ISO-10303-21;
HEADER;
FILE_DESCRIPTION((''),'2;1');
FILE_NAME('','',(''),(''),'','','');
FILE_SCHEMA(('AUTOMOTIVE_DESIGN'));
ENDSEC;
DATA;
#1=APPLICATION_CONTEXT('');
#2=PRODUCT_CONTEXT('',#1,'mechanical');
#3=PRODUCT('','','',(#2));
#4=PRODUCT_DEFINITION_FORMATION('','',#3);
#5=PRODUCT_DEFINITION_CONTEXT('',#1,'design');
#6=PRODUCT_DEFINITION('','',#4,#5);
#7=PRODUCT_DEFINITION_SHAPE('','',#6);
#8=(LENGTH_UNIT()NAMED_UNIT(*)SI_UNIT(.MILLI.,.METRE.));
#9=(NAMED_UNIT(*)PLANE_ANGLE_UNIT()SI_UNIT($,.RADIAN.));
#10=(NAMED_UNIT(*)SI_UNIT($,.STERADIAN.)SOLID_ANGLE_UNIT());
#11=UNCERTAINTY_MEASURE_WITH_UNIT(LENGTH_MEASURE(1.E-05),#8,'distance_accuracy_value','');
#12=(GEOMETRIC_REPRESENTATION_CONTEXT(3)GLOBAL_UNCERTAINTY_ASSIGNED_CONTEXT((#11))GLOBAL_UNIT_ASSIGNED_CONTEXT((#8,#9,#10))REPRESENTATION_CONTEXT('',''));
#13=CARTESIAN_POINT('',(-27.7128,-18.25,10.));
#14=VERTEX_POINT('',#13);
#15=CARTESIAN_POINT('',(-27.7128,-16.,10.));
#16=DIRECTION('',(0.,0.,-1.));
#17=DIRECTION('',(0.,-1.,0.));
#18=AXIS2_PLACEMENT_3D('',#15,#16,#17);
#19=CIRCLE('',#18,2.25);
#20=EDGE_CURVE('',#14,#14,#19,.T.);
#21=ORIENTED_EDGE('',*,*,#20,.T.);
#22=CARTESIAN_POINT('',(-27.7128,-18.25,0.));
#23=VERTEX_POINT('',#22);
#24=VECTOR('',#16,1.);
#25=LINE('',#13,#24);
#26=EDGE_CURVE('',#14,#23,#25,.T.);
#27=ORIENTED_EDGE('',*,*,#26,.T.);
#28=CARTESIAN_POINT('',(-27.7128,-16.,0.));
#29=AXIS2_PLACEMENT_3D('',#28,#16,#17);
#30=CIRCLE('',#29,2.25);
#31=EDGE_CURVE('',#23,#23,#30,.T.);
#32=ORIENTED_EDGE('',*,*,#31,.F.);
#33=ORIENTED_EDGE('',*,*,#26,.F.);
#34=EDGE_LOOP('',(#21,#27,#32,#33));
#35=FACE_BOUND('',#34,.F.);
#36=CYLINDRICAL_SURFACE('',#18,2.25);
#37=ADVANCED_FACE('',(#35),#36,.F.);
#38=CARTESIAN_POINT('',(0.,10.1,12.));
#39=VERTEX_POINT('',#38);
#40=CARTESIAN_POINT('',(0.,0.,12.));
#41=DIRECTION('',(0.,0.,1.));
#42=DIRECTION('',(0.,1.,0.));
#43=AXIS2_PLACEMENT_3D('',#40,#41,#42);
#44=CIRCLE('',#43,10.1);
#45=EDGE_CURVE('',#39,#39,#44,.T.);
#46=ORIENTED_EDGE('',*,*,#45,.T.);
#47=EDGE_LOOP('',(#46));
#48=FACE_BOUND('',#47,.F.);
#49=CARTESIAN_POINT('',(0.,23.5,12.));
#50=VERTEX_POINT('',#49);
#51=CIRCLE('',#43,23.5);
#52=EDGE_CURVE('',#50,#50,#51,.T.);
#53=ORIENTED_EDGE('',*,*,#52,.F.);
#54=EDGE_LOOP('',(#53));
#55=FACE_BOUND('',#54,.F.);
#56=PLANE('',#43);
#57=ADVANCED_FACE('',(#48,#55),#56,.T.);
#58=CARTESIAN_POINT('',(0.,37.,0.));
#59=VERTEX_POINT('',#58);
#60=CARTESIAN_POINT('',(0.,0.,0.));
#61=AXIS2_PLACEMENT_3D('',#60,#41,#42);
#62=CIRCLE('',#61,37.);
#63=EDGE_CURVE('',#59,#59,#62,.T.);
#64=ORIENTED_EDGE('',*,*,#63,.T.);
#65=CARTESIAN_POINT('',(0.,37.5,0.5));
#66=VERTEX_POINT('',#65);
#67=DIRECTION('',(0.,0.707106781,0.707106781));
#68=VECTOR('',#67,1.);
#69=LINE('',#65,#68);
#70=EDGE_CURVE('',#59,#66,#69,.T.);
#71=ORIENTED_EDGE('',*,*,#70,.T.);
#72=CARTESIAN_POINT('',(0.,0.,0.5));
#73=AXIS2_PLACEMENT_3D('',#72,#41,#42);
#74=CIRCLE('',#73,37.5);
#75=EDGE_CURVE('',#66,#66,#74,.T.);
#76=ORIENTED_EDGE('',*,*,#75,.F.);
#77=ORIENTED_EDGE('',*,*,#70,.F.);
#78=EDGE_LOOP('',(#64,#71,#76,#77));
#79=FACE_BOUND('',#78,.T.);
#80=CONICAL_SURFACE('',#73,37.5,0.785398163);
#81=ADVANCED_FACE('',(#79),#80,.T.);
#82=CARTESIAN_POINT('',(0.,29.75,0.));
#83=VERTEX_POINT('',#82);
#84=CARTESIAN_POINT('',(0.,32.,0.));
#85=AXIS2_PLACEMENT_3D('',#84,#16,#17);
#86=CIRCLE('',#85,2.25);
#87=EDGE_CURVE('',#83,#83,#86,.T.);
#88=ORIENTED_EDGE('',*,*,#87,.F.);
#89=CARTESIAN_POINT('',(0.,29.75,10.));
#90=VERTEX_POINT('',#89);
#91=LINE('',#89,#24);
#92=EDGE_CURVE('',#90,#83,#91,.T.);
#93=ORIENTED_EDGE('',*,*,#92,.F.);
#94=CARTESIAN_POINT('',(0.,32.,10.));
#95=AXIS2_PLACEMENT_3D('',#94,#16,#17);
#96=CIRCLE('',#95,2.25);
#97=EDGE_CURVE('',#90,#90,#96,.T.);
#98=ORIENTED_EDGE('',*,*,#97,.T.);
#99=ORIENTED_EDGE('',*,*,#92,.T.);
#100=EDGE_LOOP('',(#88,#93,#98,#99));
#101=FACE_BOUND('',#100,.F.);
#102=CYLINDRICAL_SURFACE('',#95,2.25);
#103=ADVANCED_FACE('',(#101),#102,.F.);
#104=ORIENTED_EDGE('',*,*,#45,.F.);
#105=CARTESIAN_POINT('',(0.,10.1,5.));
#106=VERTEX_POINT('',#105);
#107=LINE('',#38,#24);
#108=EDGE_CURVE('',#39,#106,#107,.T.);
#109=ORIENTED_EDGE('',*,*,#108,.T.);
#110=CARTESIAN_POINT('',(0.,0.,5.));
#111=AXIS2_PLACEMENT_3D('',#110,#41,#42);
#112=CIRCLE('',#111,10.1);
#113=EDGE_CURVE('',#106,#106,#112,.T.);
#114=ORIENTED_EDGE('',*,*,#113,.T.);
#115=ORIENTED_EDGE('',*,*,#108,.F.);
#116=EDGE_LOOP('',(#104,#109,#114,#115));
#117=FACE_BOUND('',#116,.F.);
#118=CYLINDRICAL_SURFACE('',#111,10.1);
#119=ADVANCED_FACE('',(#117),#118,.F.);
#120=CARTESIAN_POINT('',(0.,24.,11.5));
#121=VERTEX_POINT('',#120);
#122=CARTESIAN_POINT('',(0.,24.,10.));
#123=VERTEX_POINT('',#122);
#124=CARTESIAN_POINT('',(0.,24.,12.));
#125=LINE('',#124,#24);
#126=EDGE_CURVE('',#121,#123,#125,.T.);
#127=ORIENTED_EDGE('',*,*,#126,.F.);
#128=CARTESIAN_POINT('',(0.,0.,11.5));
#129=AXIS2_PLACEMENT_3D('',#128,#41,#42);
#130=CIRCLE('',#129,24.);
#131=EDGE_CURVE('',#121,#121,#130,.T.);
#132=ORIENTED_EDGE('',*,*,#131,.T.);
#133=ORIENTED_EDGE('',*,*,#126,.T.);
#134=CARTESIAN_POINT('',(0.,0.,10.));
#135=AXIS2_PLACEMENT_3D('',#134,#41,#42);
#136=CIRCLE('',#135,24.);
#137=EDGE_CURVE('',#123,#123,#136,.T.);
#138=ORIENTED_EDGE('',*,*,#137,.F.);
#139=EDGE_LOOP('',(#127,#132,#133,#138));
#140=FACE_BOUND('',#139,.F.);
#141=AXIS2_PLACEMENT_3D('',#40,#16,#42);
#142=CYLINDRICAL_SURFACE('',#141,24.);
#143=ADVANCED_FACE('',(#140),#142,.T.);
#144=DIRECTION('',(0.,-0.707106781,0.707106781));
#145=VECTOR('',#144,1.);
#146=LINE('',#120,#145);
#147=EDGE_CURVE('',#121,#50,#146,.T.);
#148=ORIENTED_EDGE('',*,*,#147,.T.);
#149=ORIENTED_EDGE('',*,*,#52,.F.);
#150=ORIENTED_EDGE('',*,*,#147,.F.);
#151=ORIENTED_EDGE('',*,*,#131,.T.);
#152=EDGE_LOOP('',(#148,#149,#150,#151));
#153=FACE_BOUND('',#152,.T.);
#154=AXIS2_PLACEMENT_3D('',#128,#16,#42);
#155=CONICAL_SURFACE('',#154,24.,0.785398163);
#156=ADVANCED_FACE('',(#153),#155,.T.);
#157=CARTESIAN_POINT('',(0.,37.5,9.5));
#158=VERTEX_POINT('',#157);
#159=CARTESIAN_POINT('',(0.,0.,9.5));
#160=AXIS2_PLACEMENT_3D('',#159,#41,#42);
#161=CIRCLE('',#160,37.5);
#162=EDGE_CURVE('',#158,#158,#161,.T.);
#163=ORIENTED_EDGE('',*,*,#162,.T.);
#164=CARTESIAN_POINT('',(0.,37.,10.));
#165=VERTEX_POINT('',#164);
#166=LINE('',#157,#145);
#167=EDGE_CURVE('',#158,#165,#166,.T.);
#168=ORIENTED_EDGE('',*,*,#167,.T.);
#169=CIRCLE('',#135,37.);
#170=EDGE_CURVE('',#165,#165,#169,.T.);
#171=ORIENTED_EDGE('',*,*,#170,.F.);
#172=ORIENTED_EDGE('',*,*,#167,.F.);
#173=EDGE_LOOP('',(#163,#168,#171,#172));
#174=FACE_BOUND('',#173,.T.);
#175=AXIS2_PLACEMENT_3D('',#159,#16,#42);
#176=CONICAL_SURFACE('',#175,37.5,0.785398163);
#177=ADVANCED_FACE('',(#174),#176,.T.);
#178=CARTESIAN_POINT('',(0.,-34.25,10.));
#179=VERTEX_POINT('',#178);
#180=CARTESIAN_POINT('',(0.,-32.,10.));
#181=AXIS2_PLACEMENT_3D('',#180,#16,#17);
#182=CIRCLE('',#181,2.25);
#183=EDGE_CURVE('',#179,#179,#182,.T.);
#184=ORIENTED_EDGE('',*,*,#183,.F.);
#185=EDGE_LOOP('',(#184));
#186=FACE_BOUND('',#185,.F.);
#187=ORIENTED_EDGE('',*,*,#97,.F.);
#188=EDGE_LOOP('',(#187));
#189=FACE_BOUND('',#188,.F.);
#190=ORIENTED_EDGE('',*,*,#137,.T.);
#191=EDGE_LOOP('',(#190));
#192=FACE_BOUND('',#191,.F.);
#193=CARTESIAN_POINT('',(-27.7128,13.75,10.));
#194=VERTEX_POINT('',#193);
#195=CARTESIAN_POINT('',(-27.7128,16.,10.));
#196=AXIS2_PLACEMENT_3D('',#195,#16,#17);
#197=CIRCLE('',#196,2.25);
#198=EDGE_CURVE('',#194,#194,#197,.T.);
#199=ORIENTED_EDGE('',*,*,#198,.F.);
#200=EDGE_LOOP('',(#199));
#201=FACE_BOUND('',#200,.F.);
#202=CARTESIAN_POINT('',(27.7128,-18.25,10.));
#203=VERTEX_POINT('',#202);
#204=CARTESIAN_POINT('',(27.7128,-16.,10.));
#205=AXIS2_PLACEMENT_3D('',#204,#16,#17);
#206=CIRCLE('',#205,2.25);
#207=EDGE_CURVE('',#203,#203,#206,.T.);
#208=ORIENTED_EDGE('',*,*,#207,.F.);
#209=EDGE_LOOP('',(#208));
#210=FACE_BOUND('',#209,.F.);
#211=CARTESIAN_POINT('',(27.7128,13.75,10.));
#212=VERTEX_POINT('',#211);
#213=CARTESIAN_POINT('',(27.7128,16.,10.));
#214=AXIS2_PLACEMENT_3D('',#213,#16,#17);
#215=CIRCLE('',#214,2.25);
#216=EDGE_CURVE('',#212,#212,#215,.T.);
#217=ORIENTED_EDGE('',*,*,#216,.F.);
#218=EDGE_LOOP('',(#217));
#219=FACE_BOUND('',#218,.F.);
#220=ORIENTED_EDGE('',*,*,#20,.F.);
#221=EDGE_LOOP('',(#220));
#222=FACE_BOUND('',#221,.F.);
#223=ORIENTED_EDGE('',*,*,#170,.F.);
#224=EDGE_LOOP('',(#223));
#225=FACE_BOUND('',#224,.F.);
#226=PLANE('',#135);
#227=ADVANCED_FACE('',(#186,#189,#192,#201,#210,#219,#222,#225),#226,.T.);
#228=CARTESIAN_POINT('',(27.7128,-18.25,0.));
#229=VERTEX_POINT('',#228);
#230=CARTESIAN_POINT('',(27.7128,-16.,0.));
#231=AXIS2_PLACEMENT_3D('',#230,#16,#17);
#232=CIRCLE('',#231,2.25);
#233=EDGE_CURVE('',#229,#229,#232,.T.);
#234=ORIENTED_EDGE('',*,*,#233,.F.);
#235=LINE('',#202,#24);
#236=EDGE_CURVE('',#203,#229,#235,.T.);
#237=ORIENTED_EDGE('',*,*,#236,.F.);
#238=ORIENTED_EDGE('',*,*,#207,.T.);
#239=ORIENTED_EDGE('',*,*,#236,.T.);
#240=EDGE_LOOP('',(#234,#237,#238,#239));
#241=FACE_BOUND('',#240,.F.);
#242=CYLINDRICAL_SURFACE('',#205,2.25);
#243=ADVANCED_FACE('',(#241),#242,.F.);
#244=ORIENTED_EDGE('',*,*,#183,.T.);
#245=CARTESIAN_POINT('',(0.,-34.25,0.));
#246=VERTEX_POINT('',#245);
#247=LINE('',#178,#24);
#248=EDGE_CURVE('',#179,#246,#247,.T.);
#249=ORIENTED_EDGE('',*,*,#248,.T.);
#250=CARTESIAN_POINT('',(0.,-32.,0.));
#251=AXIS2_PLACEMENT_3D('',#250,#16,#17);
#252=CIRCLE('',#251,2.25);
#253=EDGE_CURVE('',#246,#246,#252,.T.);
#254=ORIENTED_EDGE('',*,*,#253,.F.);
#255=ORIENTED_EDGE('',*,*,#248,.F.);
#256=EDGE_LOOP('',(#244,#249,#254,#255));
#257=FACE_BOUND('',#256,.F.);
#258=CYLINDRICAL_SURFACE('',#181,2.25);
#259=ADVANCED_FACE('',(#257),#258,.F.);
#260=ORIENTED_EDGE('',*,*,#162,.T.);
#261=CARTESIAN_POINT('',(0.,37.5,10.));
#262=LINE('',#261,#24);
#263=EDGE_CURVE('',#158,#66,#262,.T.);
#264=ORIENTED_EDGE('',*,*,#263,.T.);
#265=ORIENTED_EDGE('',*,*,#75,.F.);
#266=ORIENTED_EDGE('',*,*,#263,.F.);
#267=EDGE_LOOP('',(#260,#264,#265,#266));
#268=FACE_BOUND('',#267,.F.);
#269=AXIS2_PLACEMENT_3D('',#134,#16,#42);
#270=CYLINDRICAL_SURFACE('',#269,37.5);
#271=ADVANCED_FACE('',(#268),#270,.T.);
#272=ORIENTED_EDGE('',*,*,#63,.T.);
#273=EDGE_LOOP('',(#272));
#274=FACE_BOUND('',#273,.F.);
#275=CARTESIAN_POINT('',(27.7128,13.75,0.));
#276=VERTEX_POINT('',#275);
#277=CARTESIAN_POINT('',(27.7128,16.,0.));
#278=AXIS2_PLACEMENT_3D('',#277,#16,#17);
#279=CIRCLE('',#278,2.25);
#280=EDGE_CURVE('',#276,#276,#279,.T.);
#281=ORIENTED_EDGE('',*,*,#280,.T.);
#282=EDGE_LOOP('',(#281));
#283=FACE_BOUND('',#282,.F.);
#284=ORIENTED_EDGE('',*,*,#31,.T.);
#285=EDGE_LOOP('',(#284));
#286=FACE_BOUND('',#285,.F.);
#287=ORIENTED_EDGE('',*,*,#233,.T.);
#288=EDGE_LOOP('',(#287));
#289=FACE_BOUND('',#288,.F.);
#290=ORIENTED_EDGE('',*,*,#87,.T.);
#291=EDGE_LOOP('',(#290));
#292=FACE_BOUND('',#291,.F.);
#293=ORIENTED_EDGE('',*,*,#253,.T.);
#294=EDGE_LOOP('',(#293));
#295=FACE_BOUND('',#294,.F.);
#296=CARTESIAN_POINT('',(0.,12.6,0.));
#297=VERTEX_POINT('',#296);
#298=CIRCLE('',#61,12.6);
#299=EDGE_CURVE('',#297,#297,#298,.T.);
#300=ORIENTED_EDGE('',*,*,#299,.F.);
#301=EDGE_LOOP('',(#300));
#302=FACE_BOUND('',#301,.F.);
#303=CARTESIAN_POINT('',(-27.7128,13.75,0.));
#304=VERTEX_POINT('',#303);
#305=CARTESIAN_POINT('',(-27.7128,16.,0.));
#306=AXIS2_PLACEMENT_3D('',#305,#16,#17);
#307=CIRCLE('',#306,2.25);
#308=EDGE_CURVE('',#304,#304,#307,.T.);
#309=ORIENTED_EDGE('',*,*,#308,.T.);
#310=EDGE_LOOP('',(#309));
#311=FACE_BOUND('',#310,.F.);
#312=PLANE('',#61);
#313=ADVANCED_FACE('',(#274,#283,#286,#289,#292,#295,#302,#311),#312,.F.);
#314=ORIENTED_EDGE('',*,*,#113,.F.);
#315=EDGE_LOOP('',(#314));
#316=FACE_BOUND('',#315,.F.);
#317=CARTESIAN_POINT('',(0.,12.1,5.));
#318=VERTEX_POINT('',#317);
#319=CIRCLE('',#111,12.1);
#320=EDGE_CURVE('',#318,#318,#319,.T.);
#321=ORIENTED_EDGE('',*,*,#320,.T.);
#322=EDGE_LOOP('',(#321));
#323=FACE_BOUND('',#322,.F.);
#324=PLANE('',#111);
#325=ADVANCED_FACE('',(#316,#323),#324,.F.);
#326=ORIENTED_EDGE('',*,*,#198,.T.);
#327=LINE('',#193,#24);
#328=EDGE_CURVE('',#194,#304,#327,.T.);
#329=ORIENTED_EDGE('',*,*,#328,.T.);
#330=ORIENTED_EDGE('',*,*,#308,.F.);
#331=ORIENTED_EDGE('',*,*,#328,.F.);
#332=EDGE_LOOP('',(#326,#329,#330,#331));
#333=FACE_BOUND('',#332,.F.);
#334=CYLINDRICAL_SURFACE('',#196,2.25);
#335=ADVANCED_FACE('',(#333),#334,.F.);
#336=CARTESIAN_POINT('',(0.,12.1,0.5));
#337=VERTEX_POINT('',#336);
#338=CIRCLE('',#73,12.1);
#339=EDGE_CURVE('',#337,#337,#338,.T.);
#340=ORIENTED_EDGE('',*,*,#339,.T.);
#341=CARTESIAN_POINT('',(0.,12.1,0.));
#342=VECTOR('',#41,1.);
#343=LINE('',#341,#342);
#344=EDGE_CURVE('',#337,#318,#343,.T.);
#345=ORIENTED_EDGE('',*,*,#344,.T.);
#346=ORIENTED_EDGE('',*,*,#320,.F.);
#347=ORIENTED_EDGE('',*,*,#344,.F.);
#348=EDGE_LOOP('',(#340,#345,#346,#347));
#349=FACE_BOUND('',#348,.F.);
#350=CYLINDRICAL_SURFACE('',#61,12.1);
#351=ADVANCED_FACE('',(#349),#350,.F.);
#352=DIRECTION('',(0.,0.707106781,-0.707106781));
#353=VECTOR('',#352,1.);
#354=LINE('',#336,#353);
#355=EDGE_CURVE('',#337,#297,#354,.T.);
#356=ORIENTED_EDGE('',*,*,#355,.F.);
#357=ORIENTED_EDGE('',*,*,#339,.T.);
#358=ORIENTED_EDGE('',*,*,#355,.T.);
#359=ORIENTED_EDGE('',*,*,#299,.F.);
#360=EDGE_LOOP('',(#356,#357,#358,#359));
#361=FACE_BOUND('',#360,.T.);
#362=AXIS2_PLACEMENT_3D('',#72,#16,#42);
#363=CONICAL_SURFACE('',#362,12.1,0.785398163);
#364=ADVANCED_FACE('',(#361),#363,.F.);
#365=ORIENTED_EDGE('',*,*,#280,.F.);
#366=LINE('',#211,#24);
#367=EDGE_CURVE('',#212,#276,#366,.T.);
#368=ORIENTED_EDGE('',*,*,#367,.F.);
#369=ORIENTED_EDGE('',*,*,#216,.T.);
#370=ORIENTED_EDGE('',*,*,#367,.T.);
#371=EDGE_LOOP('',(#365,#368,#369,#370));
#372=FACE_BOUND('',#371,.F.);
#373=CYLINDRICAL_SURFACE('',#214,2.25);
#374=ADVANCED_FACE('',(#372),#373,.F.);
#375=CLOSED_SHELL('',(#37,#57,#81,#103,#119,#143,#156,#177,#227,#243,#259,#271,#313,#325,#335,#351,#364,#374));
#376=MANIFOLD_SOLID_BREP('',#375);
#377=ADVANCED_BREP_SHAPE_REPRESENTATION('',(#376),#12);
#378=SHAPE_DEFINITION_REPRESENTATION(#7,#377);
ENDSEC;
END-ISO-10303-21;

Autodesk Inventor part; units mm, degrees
ref_plane "YZ Plane" through (0, 0, 0) normal (1, 0, 0) x (0, 1, 0)
ref_plane "XZ Plane" through (0, 0, 0) normal (0, 1, 0) x (-1, 0, 0)
ref_plane "XY Plane" through (0, 0, 0) normal (0, 0, 1) x (1, 0, 0)
sketch "スケッチ1" plane through (0, 0, 0) normal (1, 0, 0) x (0, 1, 0)
  line L0 (12.1, 0) -> (12.1, 5)
  line L1 (12.1, 5) -> (10.1, 5)
  line L2 (10.1, 5) -> (10.1, 10)
  line L3 (37.5, 10) -> (37.5, 0)
  line L4 (37.5, 0) -> (12.1, 0)
  line L5 (0, -2.4) -> (0, 14.4) projected
  line L6 (10.1, 10) -> (10.1, 10)
  line L7 (10.1, 10) -> (10.1, 12)
  line L8 (10.1, 12) -> (24, 12)
  line L9 (24, 12) -> (24, 10)
  line L10 (24, 10) -> (37.5, 10)
  point P0 (0, 0)
  dimension "d0" = 12.1
  dimension "d1" = 37.5
  dimension "d2" = 2
  dimension "d3" = 5
  dimension "d5" = 10
  dimension "d31" = 24
  dimension "d32" = 2
  dimension "d34" = 0
revolve "回転1" add sketch "スケッチ1" angle 360 about axis through (0, 0, -10) along (0, 0, 1)
chamfer "面取り1" distance 0.5 angle 45 1 edges at (0, -12.1, 0)
sketch "スケッチ2" plane through (0, 0, 10) normal (0, 0, 1) x (1, 0, 0)
  circle A0 centre (0, 0) radius 32
  point P0 (0, 32)
  point P1 (-27.7128, 16)
  point P2 (-27.7128, -16)
  point P3 (0, -32)
  point P4 (27.7128, -16)
  point P5 (27.7128, 16)
  dimension "d10" = 64
  dimension "d13" = 360
hole "穴1" at (0, 32, 10) at (-27.7128, 16, 10) at (-27.7128, -16, 10) at (0, -32, 10) at (27.7128, -16, 10) at (27.7128, 16, 10) direction (0, 0, -1) diameter 4.5 end through all clearance for "Flat Head Machine Screw" size "M4" standard "Ansi Metric M Profile"
chamfer "面取り2" distance 0.5 angle 45 2 edges at (0, -37.5, 0) (0, -37.5, 10)
chamfer "面取り3" distance 0.5 angle 45 1 edges at (0, -24, 12)
properties part number "unit-j2-base3" material "ABS プラスチック"
